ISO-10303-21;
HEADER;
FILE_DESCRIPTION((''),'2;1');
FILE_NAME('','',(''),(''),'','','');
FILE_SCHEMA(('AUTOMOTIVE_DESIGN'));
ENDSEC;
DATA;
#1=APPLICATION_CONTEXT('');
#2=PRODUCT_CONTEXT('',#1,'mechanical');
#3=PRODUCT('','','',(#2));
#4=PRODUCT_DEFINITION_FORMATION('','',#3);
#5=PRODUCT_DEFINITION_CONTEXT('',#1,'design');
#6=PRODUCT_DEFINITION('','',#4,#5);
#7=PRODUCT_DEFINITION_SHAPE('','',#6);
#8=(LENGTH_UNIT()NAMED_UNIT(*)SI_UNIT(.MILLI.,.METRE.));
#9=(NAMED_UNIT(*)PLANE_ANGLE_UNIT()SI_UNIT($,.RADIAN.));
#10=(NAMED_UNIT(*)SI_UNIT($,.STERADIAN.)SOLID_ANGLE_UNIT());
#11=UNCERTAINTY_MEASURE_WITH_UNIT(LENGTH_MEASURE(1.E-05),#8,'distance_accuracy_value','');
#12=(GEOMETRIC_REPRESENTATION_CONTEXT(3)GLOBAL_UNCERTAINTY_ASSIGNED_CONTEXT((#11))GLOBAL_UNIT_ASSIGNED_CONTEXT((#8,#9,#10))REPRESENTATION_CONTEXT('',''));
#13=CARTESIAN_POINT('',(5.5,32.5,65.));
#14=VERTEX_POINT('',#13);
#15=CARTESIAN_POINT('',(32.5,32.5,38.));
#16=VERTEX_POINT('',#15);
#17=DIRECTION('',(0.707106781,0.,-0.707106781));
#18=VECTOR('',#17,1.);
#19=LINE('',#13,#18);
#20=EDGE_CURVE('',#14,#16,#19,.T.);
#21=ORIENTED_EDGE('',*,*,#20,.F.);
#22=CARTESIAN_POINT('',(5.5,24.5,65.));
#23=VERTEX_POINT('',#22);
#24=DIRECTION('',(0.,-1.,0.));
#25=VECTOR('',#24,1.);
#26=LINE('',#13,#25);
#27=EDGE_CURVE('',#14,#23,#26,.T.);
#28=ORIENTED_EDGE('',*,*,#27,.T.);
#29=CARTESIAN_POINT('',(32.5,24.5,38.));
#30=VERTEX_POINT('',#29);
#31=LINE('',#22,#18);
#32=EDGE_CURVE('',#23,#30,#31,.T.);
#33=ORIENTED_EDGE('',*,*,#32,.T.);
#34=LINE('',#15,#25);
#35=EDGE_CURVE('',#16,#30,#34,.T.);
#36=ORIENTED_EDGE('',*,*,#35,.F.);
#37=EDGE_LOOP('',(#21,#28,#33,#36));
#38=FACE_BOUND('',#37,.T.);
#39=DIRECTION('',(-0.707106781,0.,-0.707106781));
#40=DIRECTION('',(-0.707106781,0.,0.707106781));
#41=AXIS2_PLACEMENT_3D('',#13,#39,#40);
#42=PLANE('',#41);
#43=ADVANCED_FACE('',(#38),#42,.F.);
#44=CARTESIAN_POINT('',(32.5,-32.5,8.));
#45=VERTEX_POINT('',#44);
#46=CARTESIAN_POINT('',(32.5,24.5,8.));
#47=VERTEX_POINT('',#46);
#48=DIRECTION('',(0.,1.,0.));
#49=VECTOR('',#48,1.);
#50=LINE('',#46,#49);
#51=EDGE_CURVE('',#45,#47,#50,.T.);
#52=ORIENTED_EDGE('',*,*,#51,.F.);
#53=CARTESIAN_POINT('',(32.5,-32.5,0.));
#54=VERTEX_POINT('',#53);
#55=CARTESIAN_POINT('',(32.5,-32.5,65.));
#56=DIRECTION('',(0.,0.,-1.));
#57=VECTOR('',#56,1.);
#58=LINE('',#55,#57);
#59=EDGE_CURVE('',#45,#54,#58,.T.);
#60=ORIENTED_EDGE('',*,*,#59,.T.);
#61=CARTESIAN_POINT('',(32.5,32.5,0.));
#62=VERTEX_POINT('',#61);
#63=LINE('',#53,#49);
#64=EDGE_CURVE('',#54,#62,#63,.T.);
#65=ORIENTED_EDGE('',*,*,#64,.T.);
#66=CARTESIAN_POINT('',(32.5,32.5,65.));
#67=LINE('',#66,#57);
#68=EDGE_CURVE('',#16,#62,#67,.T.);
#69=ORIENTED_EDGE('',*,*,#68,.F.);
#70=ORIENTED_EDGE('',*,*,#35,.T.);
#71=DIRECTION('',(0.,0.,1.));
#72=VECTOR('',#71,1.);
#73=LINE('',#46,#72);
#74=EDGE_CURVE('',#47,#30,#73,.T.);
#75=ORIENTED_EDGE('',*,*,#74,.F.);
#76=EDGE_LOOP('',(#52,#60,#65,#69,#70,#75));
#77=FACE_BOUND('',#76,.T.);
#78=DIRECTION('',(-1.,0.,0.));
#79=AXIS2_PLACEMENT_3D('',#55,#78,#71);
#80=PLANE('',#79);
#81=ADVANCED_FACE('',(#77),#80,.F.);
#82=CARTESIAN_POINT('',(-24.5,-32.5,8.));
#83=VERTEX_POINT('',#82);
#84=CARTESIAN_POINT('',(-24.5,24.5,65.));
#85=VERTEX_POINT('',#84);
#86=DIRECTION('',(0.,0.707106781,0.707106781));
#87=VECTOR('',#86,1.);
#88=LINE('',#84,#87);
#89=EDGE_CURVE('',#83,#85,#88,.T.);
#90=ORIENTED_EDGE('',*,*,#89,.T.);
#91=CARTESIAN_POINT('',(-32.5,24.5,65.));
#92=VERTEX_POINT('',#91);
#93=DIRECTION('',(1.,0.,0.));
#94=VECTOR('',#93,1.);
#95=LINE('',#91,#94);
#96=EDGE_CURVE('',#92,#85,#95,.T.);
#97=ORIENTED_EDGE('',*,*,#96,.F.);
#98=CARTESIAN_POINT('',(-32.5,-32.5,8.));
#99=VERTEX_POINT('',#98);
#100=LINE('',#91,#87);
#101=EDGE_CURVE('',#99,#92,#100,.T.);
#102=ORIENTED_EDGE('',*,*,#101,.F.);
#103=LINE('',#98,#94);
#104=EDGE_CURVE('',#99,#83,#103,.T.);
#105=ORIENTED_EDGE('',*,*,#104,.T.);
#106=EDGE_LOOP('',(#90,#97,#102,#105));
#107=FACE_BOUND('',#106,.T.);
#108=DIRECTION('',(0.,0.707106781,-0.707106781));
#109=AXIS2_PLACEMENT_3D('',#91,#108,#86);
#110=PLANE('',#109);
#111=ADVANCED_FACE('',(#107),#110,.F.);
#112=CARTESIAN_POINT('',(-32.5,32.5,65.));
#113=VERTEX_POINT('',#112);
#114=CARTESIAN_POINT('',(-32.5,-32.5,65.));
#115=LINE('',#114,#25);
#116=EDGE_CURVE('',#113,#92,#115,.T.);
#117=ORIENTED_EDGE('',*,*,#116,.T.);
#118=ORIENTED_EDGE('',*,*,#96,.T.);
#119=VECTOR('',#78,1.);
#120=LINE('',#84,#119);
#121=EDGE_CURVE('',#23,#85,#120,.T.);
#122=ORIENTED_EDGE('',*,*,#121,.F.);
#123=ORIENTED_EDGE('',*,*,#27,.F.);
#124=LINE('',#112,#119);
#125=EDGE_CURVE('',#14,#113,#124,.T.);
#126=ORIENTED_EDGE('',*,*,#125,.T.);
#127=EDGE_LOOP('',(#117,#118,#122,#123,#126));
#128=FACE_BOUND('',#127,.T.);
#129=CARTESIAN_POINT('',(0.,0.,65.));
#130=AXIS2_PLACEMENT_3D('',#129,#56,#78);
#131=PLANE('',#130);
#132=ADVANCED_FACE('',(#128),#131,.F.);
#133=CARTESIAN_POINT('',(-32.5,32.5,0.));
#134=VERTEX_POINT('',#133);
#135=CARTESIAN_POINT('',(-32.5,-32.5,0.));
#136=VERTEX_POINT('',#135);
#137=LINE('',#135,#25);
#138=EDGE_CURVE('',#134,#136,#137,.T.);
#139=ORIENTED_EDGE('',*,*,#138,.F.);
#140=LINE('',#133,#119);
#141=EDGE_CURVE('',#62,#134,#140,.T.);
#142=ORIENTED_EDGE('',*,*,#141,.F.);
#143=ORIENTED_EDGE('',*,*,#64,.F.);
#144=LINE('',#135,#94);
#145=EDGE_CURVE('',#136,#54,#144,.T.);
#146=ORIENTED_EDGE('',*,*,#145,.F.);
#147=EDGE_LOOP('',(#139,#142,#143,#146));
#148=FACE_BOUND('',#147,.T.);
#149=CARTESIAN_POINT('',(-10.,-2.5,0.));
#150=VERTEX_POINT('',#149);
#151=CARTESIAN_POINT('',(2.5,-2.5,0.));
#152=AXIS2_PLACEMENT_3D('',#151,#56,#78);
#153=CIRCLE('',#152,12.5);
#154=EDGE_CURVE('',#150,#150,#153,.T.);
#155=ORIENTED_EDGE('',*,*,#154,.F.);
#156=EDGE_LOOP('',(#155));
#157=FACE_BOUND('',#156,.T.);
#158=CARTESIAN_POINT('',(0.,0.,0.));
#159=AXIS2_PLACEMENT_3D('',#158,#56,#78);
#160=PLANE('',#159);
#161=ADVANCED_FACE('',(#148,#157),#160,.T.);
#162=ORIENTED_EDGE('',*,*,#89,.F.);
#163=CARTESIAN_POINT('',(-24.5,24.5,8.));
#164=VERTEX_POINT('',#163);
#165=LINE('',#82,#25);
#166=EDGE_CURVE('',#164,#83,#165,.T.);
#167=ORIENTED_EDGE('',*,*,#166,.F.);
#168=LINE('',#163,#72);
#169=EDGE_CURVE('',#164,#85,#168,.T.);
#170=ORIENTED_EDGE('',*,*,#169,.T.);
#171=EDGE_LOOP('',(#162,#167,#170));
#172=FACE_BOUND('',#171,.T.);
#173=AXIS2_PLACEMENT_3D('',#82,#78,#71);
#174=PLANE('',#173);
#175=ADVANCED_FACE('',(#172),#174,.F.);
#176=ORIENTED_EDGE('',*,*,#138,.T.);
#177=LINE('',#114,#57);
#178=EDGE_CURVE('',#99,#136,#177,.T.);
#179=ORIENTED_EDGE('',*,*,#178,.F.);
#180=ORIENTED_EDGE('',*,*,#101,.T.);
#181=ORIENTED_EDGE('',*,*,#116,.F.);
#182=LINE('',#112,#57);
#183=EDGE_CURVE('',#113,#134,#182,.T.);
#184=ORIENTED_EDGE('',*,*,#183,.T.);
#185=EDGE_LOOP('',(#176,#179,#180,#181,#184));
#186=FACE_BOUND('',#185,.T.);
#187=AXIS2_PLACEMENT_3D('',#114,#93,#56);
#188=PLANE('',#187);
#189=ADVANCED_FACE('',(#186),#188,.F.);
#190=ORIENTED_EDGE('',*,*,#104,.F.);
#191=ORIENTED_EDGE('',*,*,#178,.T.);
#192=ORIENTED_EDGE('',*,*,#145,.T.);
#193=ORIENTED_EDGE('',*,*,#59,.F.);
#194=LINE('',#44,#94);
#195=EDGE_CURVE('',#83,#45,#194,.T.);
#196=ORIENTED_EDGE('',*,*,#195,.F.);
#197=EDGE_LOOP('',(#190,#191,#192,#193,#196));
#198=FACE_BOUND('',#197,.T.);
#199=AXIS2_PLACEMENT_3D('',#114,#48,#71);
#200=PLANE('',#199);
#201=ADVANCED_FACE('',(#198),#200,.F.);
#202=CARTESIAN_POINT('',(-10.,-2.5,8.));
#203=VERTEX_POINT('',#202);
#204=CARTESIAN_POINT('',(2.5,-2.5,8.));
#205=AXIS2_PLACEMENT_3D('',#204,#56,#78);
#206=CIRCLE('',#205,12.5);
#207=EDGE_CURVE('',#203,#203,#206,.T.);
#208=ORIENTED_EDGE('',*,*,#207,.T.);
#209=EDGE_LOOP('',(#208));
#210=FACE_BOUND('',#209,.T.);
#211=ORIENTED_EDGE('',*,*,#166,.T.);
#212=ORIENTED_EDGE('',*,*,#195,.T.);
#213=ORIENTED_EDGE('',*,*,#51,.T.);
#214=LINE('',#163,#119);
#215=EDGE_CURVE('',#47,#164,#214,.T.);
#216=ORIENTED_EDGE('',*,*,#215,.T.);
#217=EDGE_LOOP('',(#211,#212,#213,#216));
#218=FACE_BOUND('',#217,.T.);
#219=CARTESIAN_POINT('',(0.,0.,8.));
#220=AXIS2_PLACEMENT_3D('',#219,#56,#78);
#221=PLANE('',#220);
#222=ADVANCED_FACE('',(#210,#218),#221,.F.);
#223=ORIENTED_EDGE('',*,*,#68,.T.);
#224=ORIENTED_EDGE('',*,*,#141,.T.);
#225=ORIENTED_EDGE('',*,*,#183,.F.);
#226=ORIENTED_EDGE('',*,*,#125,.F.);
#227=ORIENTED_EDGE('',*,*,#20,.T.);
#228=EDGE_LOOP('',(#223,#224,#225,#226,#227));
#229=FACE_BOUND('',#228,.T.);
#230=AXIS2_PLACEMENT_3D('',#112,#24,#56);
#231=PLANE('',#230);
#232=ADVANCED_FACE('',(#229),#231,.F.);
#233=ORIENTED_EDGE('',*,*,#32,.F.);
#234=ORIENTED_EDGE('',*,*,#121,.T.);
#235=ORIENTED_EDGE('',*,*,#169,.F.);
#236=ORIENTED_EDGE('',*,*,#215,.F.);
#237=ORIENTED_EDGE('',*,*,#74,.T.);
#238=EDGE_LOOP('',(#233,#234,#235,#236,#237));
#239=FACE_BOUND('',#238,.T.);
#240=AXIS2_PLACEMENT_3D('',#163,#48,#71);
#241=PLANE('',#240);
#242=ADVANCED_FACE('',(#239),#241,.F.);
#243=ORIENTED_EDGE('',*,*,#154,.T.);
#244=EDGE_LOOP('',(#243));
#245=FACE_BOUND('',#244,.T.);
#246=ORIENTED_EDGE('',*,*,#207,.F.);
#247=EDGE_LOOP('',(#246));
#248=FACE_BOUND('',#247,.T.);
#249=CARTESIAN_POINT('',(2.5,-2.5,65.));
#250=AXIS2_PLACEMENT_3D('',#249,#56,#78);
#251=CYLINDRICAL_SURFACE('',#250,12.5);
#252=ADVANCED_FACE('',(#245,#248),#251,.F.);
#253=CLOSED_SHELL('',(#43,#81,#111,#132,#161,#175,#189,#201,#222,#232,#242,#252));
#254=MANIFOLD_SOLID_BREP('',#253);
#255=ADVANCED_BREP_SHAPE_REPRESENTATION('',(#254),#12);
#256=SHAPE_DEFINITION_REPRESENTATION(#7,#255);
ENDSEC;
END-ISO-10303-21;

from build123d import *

# Parameters (mm, degrees)
SKETCH2_W           = 65
SKETCH2_H           = 65
BOSS_EXTRUDE1_DEPTH = 65
SKETCH3_W           = 57
SKETCH3_H           = 57
CUT_EXTRUDE1_DEPTH  = 57
CUT_EXTRUDE2_DEPTH  = 9
CUT_EXTRUDE3_DEPTH  = 9
SKETCH8_R           = 12.5
CUT_EXTRUDE4_DEPTH  = 66


with BuildPart() as part:
    # Sketch2 → Boss-Extrude1 (new body)
    with BuildSketch(Plane.XY):
        Rectangle(SKETCH2_W, SKETCH2_H)
    extrude(amount=BOSS_EXTRUDE1_DEPTH)

    # Sketch3 → Cut-Extrude1 (cut)
    with BuildSketch(Plane.XY.offset(65)):
        with Locations((4, -4)):
            Rectangle(SKETCH3_W, SKETCH3_H)
    extrude(amount=-CUT_EXTRUDE1_DEPTH, mode=Mode.SUBTRACT)

    # Sketch5 → Cut-Extrude2 (cut, through all)
    with BuildSketch(Plane(origin=(-24.5, 0, 0), x_dir=(0, 0, -1), z_dir=(1, 0, 0))):
        Polygon((-65, -32.5), (-65, 24.5), (-8, -32.5), align=None)
    extrude(amount=-CUT_EXTRUDE2_DEPTH, mode=Mode.SUBTRACT)

    # Sketch7 → Cut-Extrude3 (cut, through all)
    with BuildSketch(Plane(origin=(0, 24.5, 0), x_dir=(-1, 0, 0), z_dir=(0, -1, 0))):
        Polygon((-32.5, -65), (-5.5, -65), (-32.5, -38), align=None)
    extrude(amount=-CUT_EXTRUDE3_DEPTH, mode=Mode.SUBTRACT)

    # Sketch8 → Cut-Extrude4 (cut, through all)
    with BuildSketch(Plane(origin=(0, 0, 0), x_dir=(-1, 0, 0), z_dir=(0, 0, -1))):
        with Locations((-2.5, -2.5)):
            Circle(SKETCH8_R)
    extrude(amount=-CUT_EXTRUDE4_DEPTH, mode=Mode.SUBTRACT)


solid = part.part
